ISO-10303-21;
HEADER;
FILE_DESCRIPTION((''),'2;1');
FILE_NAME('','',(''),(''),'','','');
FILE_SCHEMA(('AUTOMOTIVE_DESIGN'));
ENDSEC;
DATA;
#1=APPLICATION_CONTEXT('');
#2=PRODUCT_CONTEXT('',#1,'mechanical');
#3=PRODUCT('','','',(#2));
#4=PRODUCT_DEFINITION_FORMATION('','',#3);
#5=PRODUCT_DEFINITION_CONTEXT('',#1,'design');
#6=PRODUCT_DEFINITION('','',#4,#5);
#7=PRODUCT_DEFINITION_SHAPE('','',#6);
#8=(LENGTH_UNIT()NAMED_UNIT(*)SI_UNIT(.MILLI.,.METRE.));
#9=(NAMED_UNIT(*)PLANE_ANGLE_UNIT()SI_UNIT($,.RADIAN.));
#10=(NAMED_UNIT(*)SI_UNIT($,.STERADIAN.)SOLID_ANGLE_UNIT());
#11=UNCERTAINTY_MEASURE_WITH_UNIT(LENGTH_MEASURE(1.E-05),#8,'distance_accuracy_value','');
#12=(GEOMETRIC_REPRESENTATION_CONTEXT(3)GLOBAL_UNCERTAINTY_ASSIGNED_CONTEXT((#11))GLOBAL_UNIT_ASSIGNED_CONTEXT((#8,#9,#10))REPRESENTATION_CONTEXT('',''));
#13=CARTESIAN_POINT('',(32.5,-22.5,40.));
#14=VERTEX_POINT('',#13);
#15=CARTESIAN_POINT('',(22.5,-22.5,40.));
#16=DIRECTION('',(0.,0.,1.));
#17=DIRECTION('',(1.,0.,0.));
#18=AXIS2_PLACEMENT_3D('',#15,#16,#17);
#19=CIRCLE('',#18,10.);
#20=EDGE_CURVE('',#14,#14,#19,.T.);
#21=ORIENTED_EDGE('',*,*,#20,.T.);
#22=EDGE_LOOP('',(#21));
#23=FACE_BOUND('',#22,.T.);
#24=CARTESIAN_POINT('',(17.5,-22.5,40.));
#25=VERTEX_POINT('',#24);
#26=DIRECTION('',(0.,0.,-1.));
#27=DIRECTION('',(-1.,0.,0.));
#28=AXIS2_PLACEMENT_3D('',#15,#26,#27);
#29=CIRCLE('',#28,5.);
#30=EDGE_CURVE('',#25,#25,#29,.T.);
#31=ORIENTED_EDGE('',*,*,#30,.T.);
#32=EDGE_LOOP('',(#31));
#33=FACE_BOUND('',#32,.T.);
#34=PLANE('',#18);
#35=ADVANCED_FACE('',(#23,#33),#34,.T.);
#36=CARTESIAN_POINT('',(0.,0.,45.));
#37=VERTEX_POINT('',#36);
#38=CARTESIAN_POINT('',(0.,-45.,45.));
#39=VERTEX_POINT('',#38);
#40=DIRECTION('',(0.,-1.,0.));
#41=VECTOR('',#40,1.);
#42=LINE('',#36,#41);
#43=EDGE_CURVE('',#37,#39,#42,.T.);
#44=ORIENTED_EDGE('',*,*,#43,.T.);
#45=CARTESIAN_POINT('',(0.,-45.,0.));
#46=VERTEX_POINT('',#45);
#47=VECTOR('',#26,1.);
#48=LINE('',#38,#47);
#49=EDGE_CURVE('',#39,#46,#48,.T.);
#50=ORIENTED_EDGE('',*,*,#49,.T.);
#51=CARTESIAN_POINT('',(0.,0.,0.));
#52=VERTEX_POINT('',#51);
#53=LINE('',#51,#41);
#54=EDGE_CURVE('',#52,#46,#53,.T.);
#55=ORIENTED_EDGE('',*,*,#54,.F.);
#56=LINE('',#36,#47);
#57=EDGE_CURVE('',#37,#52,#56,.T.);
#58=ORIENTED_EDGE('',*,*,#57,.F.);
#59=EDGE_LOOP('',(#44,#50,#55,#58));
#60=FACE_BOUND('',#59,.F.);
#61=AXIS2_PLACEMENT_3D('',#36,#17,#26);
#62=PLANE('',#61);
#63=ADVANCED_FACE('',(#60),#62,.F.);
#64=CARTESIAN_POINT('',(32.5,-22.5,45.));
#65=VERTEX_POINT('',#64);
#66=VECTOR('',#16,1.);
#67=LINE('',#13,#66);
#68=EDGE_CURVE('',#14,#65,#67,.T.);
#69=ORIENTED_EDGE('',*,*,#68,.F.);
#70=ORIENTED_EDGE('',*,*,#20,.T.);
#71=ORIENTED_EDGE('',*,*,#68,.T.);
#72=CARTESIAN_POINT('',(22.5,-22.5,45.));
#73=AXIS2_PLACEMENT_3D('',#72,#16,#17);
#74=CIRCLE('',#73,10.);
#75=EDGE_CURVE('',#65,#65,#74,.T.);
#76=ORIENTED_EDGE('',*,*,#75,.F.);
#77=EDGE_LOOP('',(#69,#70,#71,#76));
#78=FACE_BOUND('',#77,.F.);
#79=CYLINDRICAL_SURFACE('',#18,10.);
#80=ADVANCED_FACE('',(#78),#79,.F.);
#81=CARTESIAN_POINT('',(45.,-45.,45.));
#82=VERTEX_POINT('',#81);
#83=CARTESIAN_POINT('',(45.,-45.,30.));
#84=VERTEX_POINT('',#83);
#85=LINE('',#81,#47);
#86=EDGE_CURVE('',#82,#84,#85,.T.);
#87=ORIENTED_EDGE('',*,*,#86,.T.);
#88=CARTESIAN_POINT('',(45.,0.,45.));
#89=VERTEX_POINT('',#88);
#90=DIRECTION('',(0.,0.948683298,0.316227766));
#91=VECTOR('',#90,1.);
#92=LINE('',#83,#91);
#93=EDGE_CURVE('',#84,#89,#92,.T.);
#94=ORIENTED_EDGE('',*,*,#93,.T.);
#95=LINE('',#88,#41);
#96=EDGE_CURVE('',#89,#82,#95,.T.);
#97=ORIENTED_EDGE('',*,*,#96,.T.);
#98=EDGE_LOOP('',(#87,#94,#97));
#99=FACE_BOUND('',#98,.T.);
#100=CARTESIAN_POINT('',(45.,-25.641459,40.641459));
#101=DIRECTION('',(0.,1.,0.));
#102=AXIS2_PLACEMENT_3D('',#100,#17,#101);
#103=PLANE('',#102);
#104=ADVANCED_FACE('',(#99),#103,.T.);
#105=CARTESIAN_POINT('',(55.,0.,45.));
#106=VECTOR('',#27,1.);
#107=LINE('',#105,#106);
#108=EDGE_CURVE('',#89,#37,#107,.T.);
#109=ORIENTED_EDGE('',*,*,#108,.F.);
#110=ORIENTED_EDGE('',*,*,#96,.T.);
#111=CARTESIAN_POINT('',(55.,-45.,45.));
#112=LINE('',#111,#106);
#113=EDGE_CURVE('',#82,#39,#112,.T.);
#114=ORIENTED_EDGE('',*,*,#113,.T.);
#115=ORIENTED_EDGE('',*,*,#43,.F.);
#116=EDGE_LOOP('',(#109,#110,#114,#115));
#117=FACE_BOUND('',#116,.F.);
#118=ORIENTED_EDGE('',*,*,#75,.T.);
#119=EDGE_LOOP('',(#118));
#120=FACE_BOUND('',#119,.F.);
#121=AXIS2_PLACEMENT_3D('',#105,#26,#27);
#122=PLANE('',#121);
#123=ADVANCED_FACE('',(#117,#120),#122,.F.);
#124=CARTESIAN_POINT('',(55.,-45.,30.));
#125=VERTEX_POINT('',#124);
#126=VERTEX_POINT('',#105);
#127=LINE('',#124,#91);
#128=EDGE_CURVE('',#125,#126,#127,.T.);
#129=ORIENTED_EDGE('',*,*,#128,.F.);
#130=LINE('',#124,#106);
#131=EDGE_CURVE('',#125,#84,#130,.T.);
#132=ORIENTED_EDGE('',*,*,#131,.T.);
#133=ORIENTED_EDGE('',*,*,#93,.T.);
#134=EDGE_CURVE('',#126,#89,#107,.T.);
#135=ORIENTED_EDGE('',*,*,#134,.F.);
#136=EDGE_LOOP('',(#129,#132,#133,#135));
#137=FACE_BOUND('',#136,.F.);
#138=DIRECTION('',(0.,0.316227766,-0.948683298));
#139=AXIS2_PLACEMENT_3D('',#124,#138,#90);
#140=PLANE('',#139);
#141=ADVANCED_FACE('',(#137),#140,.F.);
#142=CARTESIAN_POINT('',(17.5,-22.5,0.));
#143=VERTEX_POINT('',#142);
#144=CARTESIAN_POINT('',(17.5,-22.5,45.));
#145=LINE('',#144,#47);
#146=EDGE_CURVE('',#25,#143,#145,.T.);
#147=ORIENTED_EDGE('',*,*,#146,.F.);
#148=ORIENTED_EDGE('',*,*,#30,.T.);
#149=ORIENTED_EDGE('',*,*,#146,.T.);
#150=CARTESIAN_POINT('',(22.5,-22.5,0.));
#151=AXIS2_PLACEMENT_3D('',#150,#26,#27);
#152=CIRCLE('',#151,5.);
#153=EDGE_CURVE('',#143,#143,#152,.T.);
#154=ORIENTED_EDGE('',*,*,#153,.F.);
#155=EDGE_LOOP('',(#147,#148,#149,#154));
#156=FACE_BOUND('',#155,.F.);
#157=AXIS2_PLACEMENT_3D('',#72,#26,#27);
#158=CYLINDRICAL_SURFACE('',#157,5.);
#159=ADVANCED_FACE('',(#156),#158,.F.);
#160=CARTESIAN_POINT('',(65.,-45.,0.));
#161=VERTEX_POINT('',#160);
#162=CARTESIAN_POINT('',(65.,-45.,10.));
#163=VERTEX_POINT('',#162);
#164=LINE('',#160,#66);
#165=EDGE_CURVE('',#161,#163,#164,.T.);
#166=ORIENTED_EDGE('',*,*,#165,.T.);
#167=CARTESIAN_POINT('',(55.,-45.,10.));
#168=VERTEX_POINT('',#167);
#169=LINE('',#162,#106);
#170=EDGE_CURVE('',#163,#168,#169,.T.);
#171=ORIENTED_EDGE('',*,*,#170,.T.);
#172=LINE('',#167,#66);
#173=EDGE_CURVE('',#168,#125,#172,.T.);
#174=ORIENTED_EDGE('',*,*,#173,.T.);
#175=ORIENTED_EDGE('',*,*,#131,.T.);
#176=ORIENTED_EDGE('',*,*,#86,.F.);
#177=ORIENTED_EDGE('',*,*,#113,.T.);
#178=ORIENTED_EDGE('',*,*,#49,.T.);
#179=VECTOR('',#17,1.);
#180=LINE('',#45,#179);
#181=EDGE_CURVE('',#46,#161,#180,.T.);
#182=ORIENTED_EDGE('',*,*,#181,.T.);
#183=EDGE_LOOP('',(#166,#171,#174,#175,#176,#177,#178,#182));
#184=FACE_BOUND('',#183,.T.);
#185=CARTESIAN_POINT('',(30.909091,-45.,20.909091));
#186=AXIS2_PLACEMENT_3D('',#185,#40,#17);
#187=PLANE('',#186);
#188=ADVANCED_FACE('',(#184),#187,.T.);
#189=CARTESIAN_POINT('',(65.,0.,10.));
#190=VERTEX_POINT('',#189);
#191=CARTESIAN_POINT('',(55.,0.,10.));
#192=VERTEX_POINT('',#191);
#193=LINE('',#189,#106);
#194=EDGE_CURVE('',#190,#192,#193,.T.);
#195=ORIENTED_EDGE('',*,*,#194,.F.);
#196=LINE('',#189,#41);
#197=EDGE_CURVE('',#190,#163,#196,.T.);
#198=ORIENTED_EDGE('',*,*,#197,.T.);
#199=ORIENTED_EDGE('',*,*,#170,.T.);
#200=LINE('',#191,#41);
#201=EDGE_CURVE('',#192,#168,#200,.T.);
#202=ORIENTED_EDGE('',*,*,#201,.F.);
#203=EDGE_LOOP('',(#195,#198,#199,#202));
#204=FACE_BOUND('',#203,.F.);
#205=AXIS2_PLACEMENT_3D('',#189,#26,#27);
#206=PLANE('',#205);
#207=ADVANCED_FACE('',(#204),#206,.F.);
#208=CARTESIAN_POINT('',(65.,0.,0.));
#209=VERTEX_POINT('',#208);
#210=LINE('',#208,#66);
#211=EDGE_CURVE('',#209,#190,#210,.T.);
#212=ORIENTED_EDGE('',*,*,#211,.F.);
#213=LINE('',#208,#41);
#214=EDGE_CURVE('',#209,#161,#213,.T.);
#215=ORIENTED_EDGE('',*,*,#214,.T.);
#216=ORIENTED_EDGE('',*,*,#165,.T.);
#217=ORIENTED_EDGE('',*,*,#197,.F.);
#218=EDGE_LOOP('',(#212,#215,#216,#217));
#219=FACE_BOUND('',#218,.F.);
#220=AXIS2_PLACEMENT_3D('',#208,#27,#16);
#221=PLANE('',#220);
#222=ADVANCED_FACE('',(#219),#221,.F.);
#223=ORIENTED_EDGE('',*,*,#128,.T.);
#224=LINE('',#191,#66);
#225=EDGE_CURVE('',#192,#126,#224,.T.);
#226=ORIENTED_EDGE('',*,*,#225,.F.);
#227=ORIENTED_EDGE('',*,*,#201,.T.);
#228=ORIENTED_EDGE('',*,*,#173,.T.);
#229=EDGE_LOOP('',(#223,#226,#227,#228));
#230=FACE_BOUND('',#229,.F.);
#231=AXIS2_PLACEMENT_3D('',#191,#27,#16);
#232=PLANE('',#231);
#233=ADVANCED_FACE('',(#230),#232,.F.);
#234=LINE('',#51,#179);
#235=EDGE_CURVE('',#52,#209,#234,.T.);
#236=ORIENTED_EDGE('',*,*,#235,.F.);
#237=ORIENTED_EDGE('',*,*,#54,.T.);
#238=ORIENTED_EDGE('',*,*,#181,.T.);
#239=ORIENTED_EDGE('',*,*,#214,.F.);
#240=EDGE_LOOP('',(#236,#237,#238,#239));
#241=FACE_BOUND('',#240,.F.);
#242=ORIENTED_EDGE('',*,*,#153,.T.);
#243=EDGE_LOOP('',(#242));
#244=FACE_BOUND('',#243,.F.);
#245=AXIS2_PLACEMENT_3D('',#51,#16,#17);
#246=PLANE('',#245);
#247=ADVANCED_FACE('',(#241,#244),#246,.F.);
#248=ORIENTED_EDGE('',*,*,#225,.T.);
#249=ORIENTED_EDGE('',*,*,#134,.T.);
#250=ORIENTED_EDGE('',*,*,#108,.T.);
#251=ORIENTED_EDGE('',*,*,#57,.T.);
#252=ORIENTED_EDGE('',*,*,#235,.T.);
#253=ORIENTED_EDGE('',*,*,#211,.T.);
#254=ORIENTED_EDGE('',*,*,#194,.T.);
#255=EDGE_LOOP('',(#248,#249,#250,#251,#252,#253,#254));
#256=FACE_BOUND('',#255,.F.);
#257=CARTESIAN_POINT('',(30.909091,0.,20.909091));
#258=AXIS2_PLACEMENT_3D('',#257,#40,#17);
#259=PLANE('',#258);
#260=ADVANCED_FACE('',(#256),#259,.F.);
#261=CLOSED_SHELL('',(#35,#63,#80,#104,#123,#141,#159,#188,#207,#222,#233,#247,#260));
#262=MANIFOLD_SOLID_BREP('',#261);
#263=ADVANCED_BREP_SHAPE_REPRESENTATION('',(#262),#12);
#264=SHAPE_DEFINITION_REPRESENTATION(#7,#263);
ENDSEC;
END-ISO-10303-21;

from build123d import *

# Parameters (mm, degrees)
F1_DEPTH       = 45
F3_DEPTH       = 10
F5_D           = 10
F5_CBORE_D     = 20
F5_CBORE_DEPTH = 5


with BuildPart() as f1:
    # F0 (on Front) → F1 (new body)
    with BuildSketch(Plane.XZ):
        Polygon((0, 45), (0, 0), (65, 0), (65, 10), (55, 10), (55, 45), align=None)
    extrude(amount=F1_DEPTH)

    # F2 (on face) → F3 (cut)
    with BuildSketch(Plane.YZ.offset(55)):
        Polygon((-45, 30), (0, 45), (-45, 45), align=None)
    extrude(amount=-F3_DEPTH, mode=Mode.SUBTRACT)

    # F5 (through all)
    with Locations(Plane.XY.offset(45)):
        with Locations((22.5, -22.5)):
            CounterBoreHole(F5_D / 2, F5_CBORE_D / 2, F5_CBORE_DEPTH)


solid = f1.part
